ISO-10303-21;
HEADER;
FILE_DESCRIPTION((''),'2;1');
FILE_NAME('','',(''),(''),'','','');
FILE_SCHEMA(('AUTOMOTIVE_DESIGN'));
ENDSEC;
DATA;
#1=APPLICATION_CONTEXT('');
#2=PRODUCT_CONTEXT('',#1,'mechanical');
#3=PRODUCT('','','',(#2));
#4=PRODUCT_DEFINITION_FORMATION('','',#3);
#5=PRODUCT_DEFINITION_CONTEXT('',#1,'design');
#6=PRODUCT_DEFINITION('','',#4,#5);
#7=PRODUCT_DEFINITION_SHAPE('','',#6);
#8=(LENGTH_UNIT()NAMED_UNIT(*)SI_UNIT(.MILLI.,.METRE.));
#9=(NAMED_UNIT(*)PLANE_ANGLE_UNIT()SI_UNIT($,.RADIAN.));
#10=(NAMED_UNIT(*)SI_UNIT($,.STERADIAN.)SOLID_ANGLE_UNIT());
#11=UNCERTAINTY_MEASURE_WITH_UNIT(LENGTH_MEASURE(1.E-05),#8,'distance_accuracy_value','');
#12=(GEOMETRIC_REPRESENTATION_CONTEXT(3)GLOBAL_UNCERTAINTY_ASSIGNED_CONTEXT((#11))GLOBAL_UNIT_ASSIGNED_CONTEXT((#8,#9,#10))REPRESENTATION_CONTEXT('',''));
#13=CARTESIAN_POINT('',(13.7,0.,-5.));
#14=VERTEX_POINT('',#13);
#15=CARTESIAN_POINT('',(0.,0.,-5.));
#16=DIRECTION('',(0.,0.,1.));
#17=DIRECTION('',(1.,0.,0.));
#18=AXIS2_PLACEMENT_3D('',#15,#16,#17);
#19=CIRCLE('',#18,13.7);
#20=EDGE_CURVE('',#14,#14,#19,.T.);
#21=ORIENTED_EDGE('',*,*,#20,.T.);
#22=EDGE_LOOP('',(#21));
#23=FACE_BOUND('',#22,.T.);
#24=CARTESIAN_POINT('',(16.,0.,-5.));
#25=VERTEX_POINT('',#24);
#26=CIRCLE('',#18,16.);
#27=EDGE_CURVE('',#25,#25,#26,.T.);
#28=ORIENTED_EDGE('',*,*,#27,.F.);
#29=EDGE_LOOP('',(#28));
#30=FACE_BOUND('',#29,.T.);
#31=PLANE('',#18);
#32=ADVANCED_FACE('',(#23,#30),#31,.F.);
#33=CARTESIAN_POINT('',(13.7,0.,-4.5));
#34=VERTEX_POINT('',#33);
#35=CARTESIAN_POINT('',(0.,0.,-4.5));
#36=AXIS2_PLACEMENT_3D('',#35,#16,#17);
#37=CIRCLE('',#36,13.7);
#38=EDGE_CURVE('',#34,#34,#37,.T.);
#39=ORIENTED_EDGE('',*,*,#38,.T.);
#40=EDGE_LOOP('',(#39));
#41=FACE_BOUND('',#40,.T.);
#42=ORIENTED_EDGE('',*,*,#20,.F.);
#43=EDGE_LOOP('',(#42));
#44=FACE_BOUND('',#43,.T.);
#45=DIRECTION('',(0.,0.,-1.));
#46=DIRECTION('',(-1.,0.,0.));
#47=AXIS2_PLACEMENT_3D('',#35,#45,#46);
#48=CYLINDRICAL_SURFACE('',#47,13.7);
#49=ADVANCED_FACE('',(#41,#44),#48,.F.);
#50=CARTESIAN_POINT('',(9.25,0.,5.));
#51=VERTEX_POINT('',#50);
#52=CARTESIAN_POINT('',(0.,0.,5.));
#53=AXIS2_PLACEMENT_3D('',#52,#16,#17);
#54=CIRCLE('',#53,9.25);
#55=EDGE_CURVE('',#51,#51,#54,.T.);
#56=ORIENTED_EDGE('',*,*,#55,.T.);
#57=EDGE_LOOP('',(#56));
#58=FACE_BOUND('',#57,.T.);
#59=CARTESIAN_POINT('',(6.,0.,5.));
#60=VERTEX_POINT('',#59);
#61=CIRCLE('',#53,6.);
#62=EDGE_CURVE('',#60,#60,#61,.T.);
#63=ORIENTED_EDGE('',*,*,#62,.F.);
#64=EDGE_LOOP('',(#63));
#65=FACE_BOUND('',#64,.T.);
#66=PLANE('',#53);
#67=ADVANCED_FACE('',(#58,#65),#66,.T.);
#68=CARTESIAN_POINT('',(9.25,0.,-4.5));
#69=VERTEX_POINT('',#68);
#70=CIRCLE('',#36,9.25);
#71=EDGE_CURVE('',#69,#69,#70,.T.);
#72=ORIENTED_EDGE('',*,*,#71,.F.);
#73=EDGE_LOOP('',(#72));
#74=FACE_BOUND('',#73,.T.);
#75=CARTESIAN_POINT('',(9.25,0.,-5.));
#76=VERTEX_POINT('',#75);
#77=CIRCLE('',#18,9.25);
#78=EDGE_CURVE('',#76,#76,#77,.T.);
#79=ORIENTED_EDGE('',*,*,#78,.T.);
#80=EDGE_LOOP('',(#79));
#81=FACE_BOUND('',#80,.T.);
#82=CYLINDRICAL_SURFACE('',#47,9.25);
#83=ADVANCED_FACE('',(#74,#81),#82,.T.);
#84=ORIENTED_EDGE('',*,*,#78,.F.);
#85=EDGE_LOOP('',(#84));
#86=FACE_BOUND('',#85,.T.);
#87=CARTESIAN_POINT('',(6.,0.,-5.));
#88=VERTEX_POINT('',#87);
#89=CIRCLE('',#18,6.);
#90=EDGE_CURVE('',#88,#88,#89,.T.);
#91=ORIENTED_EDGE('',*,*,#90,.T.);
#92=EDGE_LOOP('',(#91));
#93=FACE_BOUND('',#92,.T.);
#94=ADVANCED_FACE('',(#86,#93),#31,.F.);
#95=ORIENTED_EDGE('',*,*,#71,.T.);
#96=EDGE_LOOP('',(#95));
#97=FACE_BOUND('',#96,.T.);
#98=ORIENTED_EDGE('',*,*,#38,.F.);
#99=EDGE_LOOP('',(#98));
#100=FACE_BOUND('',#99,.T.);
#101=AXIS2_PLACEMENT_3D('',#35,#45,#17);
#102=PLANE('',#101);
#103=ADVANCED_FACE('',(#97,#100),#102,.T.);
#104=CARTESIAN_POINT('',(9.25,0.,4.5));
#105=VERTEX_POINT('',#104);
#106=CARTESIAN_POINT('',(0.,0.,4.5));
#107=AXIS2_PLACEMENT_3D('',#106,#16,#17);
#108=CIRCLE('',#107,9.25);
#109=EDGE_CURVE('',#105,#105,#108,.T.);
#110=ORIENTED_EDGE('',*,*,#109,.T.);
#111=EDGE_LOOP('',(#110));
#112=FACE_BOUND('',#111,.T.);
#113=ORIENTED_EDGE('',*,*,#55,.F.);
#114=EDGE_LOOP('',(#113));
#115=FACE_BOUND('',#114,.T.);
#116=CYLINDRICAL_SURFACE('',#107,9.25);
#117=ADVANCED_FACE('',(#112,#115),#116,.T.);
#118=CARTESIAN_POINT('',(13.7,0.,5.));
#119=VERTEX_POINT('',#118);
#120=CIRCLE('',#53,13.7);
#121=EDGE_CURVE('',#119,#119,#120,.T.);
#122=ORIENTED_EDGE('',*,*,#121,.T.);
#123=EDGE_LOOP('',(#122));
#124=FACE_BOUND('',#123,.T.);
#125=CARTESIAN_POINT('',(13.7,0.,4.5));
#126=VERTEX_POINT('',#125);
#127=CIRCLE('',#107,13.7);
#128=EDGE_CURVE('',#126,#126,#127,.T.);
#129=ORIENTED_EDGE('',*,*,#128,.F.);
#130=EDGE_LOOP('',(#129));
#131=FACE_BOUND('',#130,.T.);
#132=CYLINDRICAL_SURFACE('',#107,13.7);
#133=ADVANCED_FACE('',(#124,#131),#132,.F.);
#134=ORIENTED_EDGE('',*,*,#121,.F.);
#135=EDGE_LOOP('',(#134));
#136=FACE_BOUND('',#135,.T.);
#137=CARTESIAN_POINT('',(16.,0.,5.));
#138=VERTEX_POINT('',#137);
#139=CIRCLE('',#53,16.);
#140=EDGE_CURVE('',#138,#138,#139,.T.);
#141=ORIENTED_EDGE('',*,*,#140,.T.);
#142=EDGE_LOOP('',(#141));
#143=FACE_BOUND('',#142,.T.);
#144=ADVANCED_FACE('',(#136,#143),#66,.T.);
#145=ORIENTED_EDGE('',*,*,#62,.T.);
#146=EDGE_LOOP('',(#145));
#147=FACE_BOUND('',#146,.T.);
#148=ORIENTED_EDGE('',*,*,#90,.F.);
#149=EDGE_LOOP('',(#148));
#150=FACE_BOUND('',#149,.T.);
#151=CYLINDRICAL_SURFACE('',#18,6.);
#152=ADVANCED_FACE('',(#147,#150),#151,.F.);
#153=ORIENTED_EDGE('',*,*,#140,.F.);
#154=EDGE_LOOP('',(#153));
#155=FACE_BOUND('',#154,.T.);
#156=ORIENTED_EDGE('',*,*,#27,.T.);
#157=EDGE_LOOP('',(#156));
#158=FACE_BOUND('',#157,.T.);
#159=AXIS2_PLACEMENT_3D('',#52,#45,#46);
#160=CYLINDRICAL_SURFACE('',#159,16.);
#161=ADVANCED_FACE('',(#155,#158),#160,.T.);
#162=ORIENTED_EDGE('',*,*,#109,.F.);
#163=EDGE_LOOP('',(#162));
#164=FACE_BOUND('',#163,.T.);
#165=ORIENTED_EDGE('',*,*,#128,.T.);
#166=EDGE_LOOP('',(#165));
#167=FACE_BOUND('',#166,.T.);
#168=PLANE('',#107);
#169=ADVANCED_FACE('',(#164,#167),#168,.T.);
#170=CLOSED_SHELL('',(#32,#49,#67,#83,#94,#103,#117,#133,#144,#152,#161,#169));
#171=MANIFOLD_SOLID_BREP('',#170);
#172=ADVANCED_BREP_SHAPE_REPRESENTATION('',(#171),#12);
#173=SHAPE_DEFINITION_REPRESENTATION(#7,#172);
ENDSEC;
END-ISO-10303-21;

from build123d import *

# Parameters (mm, degrees)
SKETCH_1_R          = 16
EXTRUDE_1_DEPTH     = 5
SKETCH_2_R          = 6
CUT_EXTRUDE_1_DEPTH = 11
SKETCH_3_R          = 13.7
SKETCH_3_R_2        = 9.25
CUT_EXTRUDE_2_DEPTH = 0.5


with BuildPart() as part:
    # 草圖1 → 填料-伸長1 (new body, symmetric)
    with BuildSketch(Plane.XY):
        Circle(SKETCH_1_R)
    extrude(amount=EXTRUDE_1_DEPTH, both=True)

    # 草圖2 → 除料-伸長1 (cut, through all)
    with BuildSketch(Plane.XY.offset(5)):
        Circle(SKETCH_2_R)
    extrude(amount=-CUT_EXTRUDE_1_DEPTH, mode=Mode.SUBTRACT)

    # 草圖3 → 除料-伸長2 (cut)
    with BuildSketch(Plane.XY.offset(5)):
        Circle(SKETCH_3_R)
        Circle(SKETCH_3_R_2, mode=Mode.SUBTRACT)
    cut_extrude_2 = extrude(amount=-CUT_EXTRUDE_2_DEPTH, mode=Mode.SUBTRACT)

    # 鏡射1: 除料-伸長2 across plane
    add(cut_extrude_2.mirror(Plane.XY), mode=Mode.SUBTRACT)


solid = part.part
